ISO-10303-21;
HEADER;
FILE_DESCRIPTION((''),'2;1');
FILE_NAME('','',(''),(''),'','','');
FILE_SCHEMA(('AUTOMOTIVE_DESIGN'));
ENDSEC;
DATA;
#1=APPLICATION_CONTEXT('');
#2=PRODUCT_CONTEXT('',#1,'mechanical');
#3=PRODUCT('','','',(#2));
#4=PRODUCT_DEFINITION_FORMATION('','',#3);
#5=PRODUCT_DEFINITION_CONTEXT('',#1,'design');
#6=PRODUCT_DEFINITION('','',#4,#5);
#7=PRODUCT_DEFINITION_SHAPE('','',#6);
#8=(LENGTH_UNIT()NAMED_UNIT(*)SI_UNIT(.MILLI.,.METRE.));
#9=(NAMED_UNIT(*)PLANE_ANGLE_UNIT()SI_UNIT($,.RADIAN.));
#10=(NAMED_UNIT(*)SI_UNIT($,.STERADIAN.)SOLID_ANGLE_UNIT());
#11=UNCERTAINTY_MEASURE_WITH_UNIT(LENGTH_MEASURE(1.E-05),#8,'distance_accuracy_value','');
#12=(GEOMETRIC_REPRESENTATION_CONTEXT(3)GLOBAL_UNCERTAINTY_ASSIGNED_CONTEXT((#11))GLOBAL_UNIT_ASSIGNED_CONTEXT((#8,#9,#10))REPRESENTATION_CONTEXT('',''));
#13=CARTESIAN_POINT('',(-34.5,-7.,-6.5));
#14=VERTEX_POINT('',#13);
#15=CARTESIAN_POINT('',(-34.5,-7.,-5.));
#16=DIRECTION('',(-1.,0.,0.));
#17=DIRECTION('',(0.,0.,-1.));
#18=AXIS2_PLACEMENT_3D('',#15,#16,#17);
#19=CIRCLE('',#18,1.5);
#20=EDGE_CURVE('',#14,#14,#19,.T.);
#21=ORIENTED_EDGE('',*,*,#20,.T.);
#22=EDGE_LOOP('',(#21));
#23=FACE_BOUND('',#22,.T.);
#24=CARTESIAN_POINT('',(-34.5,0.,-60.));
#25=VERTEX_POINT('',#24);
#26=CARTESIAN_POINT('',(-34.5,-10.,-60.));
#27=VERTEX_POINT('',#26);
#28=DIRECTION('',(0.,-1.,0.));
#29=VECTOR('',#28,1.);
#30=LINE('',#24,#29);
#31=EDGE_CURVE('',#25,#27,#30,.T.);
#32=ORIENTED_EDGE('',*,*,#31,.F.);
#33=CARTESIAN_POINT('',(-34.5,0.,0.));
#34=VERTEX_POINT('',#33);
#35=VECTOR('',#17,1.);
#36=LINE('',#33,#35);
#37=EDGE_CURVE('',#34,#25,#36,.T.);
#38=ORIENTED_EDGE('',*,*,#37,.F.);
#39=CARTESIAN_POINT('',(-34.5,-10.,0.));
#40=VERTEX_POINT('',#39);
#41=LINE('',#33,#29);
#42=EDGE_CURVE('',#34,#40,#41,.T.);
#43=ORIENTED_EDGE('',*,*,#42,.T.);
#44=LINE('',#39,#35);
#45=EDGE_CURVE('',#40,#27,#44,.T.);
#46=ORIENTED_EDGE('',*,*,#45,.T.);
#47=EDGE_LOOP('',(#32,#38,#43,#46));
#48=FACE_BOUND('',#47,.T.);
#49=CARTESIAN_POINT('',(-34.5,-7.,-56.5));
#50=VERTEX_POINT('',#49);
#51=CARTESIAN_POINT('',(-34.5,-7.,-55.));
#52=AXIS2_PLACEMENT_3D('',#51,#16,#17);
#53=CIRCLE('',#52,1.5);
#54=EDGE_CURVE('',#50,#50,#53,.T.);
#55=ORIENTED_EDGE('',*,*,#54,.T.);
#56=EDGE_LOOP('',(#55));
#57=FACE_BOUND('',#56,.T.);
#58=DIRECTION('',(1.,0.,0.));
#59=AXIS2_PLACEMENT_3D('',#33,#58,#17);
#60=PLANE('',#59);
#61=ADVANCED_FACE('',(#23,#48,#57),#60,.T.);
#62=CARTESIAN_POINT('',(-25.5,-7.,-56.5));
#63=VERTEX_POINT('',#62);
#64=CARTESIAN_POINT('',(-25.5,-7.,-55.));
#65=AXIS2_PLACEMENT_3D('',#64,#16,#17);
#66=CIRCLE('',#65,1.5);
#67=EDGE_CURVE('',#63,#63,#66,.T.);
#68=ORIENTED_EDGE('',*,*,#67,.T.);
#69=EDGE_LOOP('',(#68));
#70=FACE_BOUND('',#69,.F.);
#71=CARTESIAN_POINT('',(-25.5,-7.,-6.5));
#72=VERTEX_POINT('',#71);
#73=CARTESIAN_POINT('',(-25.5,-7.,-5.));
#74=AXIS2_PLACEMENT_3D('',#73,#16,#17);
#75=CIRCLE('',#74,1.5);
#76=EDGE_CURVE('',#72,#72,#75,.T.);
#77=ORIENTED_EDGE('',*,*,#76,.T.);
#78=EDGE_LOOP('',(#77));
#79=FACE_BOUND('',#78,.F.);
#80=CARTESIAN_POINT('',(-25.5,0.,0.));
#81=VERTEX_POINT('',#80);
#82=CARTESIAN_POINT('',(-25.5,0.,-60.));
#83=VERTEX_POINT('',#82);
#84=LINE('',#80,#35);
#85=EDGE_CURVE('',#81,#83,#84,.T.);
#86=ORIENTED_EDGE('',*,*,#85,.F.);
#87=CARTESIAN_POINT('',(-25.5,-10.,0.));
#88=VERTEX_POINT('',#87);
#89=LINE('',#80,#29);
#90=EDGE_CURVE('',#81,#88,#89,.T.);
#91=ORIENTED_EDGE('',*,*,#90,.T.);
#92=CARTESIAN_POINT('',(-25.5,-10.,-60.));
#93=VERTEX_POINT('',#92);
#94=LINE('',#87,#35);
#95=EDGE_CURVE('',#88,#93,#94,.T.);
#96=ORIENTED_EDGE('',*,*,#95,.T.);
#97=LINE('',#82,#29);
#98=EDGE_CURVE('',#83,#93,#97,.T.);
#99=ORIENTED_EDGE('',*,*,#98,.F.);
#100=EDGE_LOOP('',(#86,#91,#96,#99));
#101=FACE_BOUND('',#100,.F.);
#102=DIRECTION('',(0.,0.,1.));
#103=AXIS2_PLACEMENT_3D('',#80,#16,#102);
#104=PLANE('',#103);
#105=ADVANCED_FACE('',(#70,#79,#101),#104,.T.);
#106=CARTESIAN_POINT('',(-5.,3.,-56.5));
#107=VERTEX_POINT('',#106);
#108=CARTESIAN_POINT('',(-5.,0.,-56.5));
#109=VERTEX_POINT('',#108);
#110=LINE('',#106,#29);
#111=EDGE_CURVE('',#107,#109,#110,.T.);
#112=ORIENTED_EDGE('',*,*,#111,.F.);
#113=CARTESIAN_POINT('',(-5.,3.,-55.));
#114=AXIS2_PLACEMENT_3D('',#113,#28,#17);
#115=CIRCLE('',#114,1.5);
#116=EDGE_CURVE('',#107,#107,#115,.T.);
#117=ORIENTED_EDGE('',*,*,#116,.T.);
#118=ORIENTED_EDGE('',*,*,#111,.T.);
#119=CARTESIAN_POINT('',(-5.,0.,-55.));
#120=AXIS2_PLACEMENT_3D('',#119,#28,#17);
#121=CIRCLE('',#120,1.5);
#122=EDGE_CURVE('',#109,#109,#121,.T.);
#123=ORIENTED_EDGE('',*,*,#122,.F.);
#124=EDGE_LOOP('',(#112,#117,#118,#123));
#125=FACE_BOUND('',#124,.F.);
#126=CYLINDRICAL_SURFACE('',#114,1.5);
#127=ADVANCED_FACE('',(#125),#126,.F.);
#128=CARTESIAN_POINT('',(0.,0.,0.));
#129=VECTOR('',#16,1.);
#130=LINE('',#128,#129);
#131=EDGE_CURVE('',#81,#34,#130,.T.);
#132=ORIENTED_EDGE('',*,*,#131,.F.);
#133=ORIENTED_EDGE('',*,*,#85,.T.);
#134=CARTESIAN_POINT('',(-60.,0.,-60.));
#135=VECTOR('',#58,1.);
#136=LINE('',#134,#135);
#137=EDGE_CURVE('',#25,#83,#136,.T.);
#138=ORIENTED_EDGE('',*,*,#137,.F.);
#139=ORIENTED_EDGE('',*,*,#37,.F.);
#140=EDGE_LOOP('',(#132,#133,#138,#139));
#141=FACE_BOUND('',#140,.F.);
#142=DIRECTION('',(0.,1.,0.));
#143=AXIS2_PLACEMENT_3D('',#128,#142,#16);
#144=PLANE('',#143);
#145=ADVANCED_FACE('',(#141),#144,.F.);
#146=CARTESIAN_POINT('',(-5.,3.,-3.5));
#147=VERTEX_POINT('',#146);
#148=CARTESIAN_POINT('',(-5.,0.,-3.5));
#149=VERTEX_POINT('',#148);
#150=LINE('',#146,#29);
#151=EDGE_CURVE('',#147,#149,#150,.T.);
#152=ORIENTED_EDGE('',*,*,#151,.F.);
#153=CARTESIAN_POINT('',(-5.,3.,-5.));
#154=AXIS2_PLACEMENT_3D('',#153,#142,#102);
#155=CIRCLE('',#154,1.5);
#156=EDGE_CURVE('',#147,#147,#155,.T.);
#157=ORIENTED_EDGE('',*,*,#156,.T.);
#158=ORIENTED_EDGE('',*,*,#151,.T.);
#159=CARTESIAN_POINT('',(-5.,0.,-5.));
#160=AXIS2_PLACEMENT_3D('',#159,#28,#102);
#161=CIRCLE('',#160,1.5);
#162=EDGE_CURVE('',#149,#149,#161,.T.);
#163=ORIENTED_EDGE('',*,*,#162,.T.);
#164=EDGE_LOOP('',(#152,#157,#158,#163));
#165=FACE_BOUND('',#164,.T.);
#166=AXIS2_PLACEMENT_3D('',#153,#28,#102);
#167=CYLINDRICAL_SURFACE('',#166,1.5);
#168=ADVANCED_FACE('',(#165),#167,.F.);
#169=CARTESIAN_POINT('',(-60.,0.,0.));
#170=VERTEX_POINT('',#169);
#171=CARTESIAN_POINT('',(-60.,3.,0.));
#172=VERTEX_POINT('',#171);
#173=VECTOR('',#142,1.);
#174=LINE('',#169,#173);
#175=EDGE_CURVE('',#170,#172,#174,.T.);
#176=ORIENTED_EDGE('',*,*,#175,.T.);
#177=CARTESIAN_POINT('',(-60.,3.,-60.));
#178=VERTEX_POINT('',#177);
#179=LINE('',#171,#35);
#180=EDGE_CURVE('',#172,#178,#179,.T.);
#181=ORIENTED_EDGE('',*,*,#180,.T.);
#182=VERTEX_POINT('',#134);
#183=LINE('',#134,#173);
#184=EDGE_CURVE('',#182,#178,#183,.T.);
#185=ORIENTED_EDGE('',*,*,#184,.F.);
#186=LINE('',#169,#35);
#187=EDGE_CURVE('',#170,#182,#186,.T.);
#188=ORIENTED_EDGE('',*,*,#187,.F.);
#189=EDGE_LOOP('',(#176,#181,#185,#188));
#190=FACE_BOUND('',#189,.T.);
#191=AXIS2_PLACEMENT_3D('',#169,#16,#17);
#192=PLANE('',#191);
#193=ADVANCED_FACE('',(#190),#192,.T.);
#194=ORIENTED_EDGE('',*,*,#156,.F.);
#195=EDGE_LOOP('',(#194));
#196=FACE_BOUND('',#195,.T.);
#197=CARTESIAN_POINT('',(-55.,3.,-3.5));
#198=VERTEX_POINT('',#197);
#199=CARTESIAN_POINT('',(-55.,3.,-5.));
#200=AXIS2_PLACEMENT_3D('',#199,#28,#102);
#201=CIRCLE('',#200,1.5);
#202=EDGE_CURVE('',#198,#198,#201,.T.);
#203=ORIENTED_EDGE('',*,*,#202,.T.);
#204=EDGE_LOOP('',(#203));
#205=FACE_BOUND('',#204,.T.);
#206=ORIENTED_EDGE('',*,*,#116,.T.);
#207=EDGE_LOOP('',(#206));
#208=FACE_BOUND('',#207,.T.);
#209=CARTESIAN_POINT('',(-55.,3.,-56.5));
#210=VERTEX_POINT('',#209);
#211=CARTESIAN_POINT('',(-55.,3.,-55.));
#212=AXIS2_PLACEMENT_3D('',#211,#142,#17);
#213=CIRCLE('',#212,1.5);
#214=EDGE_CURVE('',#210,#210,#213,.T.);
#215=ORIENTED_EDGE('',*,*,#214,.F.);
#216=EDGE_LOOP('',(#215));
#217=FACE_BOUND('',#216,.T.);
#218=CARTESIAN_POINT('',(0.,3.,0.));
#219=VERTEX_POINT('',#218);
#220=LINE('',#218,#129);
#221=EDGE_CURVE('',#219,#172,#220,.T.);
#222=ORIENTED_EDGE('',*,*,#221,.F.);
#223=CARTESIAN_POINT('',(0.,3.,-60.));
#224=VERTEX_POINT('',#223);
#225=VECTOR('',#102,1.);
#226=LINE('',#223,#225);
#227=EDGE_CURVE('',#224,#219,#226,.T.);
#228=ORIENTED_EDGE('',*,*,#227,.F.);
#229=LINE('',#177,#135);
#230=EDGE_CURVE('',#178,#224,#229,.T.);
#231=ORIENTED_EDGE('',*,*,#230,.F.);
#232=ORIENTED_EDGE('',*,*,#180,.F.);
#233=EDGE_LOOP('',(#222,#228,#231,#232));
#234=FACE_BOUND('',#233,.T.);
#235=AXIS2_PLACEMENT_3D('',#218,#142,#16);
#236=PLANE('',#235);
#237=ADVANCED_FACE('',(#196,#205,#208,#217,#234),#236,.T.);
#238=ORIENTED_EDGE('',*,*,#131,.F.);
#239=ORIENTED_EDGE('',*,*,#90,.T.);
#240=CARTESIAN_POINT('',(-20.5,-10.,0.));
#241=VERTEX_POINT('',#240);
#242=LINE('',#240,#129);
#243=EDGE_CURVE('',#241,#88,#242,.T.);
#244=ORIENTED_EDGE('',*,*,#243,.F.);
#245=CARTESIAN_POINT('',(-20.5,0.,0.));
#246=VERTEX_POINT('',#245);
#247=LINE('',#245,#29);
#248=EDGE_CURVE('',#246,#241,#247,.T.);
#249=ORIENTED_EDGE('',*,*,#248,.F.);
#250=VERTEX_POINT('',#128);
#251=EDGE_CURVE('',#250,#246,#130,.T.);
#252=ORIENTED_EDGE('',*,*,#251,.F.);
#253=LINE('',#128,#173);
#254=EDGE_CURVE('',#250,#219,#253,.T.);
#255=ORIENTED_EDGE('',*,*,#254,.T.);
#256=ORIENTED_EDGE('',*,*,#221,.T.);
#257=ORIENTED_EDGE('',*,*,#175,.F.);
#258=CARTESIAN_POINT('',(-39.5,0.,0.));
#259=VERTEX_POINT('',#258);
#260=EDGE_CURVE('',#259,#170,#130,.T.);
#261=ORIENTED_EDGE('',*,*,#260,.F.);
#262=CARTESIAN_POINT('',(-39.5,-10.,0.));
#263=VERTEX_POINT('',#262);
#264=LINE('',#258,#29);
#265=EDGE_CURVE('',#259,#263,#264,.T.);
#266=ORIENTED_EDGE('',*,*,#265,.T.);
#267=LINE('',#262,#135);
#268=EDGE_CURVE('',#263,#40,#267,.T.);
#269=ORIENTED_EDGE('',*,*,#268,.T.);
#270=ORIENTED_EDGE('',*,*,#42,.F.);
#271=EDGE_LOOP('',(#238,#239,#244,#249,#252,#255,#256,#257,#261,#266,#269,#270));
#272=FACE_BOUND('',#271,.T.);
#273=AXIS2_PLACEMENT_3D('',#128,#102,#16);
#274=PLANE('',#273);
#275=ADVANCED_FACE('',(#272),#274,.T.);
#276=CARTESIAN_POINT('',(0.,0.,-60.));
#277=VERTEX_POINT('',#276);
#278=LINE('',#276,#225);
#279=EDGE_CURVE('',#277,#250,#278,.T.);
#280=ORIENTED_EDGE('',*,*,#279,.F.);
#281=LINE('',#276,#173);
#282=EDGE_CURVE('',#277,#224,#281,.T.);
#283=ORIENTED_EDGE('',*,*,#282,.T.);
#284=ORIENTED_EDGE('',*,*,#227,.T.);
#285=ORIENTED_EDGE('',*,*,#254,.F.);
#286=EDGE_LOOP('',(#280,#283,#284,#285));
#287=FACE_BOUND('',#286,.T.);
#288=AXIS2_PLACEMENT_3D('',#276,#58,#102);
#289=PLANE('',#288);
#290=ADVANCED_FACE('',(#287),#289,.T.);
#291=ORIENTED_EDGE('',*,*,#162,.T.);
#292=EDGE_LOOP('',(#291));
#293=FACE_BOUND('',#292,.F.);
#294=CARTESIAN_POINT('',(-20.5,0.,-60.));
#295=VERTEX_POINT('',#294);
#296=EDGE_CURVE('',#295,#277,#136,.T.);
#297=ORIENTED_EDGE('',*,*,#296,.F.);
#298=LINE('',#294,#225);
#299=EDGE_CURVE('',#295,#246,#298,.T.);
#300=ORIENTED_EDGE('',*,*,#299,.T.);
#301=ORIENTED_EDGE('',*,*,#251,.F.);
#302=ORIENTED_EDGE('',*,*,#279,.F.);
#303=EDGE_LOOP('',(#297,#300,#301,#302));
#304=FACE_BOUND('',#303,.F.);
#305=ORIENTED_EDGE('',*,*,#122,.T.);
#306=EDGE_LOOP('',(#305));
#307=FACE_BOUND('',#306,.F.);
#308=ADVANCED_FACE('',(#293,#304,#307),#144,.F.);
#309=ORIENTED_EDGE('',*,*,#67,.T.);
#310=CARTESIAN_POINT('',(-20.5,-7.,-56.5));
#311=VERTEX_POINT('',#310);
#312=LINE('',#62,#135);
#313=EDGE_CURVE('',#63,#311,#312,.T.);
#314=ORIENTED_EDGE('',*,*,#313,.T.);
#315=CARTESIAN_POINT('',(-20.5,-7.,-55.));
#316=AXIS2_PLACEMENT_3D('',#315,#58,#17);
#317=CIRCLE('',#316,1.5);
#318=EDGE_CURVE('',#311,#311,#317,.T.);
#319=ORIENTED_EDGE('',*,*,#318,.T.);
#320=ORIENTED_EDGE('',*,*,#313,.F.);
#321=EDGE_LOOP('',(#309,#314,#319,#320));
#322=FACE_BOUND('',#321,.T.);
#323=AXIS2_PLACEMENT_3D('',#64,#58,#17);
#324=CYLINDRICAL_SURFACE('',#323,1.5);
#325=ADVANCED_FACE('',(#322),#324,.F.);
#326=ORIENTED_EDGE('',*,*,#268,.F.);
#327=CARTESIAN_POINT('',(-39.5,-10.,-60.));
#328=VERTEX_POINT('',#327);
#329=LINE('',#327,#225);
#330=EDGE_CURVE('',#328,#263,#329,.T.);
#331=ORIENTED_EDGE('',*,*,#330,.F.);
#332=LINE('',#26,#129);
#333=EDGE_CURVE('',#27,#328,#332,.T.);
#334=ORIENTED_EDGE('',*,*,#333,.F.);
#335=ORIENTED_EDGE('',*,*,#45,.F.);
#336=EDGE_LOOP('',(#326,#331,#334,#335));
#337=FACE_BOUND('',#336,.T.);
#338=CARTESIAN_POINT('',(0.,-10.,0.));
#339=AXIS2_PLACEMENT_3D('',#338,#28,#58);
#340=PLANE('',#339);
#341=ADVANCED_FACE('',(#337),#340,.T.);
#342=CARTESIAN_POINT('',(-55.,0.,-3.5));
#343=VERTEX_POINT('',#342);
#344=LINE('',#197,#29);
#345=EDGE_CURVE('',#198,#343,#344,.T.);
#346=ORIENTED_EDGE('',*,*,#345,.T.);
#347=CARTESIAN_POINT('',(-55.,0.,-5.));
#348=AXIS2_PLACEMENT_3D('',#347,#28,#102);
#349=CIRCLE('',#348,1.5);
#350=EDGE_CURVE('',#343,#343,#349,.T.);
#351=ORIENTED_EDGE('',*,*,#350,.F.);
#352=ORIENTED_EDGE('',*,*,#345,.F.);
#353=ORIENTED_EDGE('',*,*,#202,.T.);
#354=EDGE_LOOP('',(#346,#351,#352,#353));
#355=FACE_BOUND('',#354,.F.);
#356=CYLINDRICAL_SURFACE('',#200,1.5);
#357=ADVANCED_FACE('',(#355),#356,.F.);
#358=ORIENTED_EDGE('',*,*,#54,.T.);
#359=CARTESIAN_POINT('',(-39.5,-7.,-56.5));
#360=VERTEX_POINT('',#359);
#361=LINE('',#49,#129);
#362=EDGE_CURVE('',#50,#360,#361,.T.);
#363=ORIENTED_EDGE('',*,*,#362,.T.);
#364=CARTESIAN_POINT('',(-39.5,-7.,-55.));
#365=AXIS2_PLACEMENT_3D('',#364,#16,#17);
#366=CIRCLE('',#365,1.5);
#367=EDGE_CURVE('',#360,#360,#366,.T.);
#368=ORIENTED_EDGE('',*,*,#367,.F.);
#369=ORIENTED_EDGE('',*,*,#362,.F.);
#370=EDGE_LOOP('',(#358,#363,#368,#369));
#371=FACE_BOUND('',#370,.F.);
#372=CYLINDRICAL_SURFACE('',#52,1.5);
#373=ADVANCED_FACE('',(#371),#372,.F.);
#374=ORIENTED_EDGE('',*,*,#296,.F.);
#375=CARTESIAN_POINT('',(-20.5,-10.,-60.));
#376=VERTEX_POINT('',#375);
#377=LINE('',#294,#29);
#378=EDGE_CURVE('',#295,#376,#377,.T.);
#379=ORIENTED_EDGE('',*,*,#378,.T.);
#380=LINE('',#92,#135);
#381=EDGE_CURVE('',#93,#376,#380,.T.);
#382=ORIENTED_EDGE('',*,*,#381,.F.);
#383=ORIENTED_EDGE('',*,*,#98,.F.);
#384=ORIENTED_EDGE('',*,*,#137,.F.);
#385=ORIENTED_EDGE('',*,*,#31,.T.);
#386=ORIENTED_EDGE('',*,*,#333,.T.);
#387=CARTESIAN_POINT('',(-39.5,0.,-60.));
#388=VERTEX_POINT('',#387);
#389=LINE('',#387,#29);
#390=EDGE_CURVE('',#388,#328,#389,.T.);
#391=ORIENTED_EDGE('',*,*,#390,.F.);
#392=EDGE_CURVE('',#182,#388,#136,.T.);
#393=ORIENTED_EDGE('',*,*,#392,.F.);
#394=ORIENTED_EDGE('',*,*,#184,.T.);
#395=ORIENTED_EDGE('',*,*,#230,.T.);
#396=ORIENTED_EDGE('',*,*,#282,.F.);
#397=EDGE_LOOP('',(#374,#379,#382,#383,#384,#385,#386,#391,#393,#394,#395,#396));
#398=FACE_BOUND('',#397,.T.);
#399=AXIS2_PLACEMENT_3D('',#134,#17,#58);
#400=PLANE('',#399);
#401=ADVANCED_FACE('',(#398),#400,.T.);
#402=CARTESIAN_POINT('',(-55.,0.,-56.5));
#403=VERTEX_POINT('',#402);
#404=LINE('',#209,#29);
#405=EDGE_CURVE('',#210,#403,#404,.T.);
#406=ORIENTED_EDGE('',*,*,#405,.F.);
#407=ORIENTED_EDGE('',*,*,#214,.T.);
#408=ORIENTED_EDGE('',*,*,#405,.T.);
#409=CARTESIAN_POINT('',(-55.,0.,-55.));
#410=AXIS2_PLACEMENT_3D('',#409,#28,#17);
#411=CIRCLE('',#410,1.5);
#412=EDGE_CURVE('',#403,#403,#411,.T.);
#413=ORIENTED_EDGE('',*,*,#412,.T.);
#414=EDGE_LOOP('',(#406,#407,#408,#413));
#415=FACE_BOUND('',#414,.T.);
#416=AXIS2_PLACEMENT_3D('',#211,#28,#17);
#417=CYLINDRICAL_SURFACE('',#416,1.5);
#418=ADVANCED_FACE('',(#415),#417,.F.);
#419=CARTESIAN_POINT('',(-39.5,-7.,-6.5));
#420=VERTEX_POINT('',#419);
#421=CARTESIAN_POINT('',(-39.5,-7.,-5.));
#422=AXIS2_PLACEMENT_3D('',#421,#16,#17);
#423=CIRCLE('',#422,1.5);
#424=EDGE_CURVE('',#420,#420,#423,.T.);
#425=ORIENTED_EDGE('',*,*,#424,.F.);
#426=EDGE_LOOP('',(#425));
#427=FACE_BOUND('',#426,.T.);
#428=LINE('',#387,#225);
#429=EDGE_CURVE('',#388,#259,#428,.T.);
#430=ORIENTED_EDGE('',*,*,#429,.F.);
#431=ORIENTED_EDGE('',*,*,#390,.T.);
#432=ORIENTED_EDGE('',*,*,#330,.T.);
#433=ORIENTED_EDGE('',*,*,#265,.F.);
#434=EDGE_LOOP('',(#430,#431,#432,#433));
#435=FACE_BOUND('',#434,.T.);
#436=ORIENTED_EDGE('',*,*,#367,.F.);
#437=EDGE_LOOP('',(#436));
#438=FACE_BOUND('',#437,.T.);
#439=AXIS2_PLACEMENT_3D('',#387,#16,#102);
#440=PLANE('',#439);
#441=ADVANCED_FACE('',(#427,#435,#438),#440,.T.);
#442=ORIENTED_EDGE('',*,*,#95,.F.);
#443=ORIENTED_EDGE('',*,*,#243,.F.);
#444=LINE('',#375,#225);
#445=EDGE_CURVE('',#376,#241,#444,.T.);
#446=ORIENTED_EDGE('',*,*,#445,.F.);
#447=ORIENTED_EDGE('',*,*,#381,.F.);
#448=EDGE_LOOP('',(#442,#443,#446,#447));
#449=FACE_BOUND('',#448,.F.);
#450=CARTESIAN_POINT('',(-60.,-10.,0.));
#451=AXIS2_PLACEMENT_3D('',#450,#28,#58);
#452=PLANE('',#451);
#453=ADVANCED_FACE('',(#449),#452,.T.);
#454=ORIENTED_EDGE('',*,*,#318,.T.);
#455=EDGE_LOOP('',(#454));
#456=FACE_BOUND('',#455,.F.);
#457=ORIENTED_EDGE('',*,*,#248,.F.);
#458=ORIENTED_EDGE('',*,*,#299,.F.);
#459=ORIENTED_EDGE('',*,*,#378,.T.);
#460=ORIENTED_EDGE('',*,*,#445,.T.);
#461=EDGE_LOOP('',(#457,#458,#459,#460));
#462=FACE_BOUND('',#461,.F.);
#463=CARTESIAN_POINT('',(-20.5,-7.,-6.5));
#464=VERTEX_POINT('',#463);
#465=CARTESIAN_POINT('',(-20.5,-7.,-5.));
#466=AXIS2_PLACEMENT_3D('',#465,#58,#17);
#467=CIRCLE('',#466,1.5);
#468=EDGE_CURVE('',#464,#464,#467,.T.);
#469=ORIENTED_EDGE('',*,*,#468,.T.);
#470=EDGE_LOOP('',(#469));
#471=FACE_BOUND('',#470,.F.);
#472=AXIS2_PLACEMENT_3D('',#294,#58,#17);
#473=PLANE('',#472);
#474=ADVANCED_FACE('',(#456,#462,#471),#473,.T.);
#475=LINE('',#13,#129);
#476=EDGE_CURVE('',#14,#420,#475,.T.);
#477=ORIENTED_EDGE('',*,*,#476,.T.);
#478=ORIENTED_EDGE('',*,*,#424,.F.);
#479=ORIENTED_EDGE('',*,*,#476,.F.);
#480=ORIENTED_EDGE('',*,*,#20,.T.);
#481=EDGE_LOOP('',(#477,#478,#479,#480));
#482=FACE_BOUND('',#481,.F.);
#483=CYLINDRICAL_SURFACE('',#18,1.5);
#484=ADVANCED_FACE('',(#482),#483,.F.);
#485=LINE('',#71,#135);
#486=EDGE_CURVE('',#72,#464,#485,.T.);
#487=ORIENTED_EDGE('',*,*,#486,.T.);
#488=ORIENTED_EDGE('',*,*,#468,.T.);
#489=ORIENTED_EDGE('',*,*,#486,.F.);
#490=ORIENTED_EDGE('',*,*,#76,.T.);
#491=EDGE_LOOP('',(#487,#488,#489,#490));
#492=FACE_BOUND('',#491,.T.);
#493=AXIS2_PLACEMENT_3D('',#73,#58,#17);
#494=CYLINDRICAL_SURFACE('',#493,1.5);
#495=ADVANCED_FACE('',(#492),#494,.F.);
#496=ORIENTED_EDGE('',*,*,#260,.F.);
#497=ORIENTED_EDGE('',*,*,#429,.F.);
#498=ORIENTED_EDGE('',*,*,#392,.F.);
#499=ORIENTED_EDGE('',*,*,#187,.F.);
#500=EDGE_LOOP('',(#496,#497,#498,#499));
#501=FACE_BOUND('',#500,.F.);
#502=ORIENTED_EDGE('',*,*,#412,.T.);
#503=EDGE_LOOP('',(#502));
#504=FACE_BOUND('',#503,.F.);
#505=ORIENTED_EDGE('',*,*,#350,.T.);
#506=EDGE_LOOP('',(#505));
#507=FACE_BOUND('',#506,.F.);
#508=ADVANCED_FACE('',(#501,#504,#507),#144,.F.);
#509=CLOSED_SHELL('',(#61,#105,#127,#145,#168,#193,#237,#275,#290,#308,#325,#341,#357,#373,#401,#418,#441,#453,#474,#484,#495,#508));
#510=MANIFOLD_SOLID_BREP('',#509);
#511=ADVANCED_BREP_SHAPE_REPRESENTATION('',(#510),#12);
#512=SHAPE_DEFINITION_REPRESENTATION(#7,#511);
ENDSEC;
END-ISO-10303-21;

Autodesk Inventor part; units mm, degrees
ref_plane "YZ Plane" through (0, 0, 0) normal (1, 0, 0) x (0, 1, 0)
ref_plane "XZ Plane" through (0, 0, 0) normal (0, 1, 0) x (-1, 0, 0)
ref_plane "XY Plane" through (0, 0, 0) normal (0, 0, 1) x (1, 0, 0)
sketch "Sketch1" plane through (0, 0, 0) normal (0, 1, 0) x (-1, 0, 0)
  line L0 (0, 0) -> (60, 0)
  line L1 (60, 0) -> (60, -60)
  line L2 (60, -60) -> (0, -60)
  line L3 (0, -60) -> (0, 0)
  dimension "d0" = 60
  dimension "d1" = 60
extrude "Extrusion1" add sketch "Sketch1" along normal blind 3
sketch "Sketch2" plane through (0, 3, 0) normal (0, 1, 0) x (1, 0, 0)
  line L0 (-60, 0) -> (0, 0) projected
  line L1 (-60, 60) -> (-60, 0) projected
  point P0 (-55, 5)
  dimension "d4" = 5
  dimension "d5" = 5
hole "Hole1" at (-55, 3, -5) direction (0, -1, 0) diameter 3 end through all
ref_plane "Work Plane1" through (-30, 0, -60) normal (-1, 0, 0) x (0, 0, 1)
ref_plane "Work Plane2" through (-60, 0, -30) normal (0, 0, 1) x (1, 0, 0)
mirror "Mirror1" about plane through (-30, 0, -60) normal (-1, 0, 0) of "Hole1"
mirror "Mirror2" about plane through (-60, 0, -30) normal (0, 0, 1) of "Hole1", "Mirror1"
sketch "Sketch3" plane through (0, 0, 0) normal (0, -1, 0) x (1, 0, 0)
  line L0 (-39.5, 0) -> (-34.5, 0)
  line L1 (-34.5, 0) -> (-34.5, -60)
  line L2 (-34.5, -60) -> (-39.5, -60)
  line L3 (-39.5, -60) -> (-39.5, 0)
  line L4 (0, -60) -> (-60, -60) projected
  line L5 (-60, 0) -> (0, 0) projected
  line L6 (-30, -72) -> (-30, 12) projected
  dimension "d13" = 5
  dimension "d14" = 4.5
extrude "Extrusion2" add sketch "Sketch3" along normal blind 10 contours L0 L1 L2 L3
sketch "Sketch4" plane through (-34.5, 0, 0) normal (1, 0, 0) x (0, 0, -1)
  line L0 (0, 0) -> (0, -10) projected
  line L1 (60, 0) -> (60, -10) projected
  line L2 (0, 0) -> (60, 0) projected
  line L3 (60, -10) -> (0, -10) projected
  point P0 (5, -7)
  point P1 (55, -7)
  dimension "d17" = 5
  dimension "d18" = 5
  dimension "d20" = 3
  dimension "d21" = 3
hole "Hole2" at (-34.5, -7, -5) at (-34.5, -7, -55) direction (-1, 0, 0) diameter 3 end through all
mirror "Mirror3" about plane through (-30, 0, -60) normal (-1, 0, 0) of "Extrusion2", "Hole2"
equation "\"d4\" = d5"
equation "\"d18\" = d17"
properties part number "Slege_Mounting_Plate"
